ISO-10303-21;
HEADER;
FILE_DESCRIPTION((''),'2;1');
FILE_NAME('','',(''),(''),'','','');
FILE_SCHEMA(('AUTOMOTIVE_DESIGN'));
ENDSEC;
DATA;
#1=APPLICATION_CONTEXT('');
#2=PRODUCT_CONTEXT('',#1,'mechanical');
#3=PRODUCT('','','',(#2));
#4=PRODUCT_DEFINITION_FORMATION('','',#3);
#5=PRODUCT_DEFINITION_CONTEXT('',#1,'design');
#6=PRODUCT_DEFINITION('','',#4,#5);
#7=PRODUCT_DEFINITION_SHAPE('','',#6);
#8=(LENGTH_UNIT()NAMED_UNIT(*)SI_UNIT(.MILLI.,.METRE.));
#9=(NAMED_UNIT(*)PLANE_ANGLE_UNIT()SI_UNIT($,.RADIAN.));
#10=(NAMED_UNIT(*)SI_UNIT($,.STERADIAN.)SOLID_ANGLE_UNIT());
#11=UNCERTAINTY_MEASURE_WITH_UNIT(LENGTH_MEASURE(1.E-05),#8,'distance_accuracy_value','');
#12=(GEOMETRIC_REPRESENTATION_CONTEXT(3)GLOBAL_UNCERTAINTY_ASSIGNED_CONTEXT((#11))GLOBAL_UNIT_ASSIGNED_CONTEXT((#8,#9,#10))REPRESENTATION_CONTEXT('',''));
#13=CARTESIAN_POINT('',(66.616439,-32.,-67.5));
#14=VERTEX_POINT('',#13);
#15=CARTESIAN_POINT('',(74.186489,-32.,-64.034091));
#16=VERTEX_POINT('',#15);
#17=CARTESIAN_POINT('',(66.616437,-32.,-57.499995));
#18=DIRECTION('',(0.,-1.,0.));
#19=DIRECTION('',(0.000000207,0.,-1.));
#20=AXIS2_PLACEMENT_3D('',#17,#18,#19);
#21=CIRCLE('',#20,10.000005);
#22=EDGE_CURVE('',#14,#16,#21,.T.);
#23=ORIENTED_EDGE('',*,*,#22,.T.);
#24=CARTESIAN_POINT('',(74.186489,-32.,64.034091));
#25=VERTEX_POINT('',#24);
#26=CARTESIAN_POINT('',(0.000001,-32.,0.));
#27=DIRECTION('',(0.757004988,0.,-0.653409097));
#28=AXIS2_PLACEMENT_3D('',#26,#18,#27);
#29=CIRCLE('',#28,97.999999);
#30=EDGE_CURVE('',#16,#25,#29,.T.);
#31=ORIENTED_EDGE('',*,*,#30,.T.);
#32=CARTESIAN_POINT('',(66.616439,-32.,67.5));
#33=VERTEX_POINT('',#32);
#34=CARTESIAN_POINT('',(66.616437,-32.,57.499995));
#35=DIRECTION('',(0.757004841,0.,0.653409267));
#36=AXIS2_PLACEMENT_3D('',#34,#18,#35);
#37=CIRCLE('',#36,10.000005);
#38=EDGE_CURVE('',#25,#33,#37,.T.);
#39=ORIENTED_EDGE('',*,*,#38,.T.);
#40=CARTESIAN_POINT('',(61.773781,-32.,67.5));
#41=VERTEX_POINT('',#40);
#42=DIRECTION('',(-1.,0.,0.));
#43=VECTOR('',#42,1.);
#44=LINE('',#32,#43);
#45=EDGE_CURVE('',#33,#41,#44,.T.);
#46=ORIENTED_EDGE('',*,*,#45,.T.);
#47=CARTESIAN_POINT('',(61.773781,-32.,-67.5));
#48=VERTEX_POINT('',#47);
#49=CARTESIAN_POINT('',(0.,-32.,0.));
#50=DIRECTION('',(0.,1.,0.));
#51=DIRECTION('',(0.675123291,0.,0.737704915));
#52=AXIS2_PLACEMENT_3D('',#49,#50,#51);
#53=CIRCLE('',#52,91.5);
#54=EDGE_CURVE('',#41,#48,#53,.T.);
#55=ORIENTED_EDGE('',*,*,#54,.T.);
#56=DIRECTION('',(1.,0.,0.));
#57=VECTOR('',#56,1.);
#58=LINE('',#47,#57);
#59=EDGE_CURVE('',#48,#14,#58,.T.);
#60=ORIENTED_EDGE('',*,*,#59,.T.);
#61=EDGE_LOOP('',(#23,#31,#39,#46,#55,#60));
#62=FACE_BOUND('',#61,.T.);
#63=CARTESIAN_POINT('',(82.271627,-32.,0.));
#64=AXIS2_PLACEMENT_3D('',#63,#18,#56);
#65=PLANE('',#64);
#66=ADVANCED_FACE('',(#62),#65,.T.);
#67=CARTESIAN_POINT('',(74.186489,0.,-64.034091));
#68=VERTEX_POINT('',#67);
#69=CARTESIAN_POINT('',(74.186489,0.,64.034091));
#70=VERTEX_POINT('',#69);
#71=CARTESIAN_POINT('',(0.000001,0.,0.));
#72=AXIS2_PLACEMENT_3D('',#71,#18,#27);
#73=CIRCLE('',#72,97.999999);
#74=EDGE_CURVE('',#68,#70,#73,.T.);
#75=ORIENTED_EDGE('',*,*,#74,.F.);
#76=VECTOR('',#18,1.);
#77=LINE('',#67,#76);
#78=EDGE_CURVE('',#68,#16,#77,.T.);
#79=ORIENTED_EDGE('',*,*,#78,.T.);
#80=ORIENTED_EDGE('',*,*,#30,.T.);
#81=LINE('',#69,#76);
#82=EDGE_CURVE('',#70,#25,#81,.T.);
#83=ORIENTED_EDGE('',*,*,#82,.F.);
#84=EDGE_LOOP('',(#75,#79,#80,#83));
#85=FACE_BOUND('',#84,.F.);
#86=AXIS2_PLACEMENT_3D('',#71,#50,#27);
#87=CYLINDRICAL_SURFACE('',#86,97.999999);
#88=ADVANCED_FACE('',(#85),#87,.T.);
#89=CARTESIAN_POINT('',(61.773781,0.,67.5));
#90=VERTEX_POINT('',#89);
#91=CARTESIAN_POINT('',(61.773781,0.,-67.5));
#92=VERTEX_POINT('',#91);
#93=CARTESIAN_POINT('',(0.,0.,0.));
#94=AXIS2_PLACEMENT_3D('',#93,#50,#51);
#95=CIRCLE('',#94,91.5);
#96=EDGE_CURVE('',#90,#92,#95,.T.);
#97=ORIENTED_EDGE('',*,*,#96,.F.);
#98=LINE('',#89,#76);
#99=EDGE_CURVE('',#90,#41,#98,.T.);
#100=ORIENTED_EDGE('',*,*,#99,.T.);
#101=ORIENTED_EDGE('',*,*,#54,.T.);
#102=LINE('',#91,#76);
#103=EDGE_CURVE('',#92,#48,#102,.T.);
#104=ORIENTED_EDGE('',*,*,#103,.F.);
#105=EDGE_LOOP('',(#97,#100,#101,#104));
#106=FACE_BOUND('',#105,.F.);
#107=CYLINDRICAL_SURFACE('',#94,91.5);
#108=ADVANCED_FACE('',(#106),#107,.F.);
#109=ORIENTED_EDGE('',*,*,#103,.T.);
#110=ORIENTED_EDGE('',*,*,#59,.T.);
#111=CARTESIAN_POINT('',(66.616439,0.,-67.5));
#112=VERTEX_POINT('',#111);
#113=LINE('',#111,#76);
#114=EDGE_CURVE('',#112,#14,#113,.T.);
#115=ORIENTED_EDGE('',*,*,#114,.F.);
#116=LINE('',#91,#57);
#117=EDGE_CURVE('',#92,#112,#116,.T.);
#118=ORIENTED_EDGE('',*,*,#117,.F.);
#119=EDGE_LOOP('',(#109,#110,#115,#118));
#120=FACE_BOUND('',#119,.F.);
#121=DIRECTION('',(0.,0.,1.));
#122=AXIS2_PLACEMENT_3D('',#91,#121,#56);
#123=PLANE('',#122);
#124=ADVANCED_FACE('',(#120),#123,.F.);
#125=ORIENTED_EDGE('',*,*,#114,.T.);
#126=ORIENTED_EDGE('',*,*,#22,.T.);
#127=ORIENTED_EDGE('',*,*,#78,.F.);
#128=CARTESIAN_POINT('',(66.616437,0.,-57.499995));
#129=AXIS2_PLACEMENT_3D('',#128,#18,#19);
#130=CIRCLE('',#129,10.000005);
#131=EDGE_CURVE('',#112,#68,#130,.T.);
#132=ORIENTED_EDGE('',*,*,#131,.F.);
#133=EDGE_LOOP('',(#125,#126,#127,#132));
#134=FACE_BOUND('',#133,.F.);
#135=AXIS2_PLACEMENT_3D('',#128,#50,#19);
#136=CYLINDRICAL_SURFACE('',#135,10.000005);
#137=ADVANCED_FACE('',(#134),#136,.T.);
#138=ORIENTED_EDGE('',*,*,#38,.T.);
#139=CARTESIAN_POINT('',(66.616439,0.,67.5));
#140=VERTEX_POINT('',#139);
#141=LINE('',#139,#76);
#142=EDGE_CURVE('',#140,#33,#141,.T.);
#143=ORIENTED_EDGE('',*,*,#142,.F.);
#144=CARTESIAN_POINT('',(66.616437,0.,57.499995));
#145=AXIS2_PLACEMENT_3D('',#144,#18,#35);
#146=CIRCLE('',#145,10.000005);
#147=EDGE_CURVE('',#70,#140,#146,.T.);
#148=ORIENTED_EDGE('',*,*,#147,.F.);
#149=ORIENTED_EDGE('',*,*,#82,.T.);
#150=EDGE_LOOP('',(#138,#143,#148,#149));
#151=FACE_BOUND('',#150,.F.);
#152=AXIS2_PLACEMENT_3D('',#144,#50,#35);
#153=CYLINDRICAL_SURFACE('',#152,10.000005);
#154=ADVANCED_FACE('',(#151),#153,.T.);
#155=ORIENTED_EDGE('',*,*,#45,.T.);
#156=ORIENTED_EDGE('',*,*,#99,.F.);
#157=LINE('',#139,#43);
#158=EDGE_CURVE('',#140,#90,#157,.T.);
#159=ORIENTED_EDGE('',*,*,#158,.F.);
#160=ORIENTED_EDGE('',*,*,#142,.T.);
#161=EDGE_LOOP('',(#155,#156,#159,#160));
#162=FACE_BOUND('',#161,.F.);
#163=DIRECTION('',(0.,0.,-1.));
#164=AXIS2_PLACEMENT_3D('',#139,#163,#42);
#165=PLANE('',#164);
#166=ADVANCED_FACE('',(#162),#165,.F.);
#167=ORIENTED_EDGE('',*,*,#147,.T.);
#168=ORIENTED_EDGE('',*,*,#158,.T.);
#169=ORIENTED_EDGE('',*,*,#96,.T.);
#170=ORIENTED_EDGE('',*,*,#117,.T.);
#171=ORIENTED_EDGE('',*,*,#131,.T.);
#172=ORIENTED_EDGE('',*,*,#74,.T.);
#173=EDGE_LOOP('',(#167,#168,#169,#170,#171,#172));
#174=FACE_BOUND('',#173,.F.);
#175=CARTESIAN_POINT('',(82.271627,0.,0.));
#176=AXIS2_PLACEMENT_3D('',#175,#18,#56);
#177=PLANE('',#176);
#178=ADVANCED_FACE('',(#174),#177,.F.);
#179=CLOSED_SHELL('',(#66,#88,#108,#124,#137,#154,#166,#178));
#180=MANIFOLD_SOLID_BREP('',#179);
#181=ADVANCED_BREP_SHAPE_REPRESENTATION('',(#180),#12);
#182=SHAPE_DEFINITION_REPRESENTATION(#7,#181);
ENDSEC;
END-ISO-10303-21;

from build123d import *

# Parameters (mm, degrees)
F1_DEPTH = 32


with BuildPart() as f1:
    # F0 (on Front) → F1 (new body)
    with BuildSketch(Plane.XZ):
        with BuildLine():
            ThreePointArc((61.773781, 67.5), (91.5, 0), (61.773781, -67.5))
            Line((61.773781, -67.5), (66.616439, -67.5))
            ThreePointArc((66.616439, -67.5), (70.779316, -66.592329), (74.186489, -64.034091))
            ThreePointArc((74.186489, -64.034091), (98, 0), (74.186489, 64.034091))
            ThreePointArc((74.186489, 64.034091), (70.779316, 66.592329), (66.616439, 67.5))
            Line((66.616439, 67.5), (61.773781, 67.5))
        make_face()
    extrude(amount=F1_DEPTH)


solid = f1.part
